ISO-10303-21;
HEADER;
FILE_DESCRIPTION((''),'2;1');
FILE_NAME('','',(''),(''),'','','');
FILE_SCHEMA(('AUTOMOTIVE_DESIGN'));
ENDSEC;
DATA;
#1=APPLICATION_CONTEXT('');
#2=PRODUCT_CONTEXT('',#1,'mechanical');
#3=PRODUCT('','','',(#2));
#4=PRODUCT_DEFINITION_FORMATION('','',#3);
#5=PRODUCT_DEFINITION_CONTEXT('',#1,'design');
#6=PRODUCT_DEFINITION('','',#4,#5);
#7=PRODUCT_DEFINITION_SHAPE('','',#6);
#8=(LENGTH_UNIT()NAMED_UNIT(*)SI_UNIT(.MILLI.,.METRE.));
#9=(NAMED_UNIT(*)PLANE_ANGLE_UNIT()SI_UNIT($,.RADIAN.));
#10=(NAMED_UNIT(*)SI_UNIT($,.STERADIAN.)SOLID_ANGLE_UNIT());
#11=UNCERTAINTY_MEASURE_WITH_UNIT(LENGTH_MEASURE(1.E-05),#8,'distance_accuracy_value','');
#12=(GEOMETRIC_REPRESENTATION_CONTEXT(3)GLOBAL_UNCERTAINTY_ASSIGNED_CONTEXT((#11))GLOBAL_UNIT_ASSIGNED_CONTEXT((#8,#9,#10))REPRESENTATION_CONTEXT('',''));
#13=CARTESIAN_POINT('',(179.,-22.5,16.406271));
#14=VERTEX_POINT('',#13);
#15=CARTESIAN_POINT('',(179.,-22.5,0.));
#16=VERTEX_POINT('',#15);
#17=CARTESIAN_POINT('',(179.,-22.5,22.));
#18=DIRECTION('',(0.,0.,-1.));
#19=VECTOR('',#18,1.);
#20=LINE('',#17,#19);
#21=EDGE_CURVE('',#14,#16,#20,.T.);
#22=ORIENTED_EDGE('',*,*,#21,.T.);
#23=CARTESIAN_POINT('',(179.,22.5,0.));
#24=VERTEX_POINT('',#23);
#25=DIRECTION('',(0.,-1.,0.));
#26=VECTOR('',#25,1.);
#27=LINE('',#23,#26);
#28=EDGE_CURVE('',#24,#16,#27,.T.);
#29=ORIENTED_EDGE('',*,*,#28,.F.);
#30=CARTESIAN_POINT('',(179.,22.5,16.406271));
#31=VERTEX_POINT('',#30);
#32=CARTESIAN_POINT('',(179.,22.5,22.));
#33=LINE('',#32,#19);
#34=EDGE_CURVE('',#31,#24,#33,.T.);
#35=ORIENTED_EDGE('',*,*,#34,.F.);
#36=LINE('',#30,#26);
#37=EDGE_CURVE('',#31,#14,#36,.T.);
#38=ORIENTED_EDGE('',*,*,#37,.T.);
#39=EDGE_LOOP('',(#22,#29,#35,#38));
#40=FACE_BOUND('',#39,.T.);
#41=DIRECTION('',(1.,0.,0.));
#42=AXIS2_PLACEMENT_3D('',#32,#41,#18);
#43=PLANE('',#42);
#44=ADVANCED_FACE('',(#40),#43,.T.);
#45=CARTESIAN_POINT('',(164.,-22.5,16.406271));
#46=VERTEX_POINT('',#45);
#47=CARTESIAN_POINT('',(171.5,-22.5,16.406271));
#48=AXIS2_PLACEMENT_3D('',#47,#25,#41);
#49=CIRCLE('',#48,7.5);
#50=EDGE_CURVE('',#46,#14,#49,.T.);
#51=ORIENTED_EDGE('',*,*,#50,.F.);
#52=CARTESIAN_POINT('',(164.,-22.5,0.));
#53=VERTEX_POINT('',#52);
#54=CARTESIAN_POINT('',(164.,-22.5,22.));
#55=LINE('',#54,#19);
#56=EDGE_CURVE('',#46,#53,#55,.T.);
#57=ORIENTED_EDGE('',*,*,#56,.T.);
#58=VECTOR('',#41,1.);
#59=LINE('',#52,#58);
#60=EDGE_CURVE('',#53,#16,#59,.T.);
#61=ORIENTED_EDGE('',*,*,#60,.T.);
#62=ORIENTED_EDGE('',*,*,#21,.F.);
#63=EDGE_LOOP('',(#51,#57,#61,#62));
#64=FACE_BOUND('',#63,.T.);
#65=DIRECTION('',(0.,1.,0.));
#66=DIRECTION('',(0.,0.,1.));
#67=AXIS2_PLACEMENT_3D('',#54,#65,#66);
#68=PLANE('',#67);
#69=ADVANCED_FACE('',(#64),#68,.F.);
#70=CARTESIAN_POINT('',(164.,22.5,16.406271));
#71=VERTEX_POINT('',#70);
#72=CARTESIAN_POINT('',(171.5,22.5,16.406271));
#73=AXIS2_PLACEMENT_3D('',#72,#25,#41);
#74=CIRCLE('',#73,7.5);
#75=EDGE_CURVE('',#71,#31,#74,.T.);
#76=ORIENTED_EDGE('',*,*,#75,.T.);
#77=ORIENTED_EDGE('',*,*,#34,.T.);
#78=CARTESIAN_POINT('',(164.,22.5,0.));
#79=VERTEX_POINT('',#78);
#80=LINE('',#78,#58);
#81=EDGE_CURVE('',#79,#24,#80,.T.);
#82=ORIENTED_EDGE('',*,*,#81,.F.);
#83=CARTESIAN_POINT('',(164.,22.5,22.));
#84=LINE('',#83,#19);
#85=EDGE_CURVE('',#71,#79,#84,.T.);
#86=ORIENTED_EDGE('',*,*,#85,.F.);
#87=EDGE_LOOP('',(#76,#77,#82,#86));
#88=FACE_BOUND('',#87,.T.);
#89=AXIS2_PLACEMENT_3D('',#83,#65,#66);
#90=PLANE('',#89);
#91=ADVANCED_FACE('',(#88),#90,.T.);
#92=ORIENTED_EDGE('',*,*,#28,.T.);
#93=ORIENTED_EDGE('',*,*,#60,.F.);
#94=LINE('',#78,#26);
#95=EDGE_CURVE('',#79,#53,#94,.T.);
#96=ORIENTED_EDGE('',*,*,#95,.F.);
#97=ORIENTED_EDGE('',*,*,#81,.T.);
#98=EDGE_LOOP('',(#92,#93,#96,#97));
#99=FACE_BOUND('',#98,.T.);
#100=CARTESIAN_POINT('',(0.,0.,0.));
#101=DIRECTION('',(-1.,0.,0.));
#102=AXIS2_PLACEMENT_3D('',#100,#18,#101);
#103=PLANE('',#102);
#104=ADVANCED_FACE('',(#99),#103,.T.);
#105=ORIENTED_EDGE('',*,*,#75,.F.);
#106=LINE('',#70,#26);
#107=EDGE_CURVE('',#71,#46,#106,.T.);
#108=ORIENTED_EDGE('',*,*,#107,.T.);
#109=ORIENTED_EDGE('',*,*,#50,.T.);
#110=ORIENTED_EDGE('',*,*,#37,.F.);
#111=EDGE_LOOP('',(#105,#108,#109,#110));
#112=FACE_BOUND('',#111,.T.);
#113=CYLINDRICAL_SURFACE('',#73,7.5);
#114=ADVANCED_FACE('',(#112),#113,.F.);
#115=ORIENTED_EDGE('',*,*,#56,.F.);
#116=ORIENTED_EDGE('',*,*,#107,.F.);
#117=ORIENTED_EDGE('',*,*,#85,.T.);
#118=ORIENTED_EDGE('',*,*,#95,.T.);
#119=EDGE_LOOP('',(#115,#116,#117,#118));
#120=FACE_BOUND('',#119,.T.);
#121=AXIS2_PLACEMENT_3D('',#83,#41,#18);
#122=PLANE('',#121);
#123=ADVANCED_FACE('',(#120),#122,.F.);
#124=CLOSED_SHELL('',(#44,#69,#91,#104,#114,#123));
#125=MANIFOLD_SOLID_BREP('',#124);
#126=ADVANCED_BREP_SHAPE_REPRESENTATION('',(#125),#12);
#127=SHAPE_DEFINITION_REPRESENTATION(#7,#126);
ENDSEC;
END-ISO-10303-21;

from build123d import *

# Parameters (mm, degrees)
SKETCH1_W           = 15
SKETCH1_H           = 45
BOSS_EXTRUDE1_DEPTH = 22
CUT_EXTRUDE1_DEPTH  = 46


with BuildPart() as part:
    # Sketch1 → Boss-Extrude1 (new body)
    with BuildSketch(Plane.XY):
        with Locations((171.5, 0)):
            Rectangle(SKETCH1_W, SKETCH1_H)
    extrude(amount=BOSS_EXTRUDE1_DEPTH)

    # Sketch2 → Cut-Extrude1 (cut, through all)
    with BuildSketch(Plane.XZ.offset(22.5)):
        with BuildLine():
            ThreePointArc((166.503982526, 22), (164.654558778, 19.470570526), (164, 16.406270528))
            ThreePointArc((164, 16.406270528), (171.5, 8.906270528), (179, 16.406270528))
            ThreePointArc((179, 16.406270528), (178.345441222, 19.470570526), (176.496017474, 22))
            Line((176.496017474, 22), (166.503982526, 22))
        make_face()
        with BuildLine():
            ThreePointArc((176.496017474, 22), (171.5, 23.906270528), (166.503982526, 22))
            Line((166.503982526, 22), (176.496017474, 22))
        make_face()
        with BuildLine():
            Line((164, 22), (164, 16.406270528))
            ThreePointArc((164, 16.406270528), (164.654558778, 19.470570526), (166.503982526, 22))
            Line((166.503982526, 22), (164, 22))
        make_face()
        with BuildLine():
            ThreePointArc((176.496017474, 22), (178.345441222, 19.470570526), (179, 16.406270528))
            Line((179, 16.406270528), (179, 22))
            Line((179, 22), (176.496017474, 22))
        make_face()
    extrude(amount=-CUT_EXTRUDE1_DEPTH, mode=Mode.SUBTRACT)


solid = part.part
